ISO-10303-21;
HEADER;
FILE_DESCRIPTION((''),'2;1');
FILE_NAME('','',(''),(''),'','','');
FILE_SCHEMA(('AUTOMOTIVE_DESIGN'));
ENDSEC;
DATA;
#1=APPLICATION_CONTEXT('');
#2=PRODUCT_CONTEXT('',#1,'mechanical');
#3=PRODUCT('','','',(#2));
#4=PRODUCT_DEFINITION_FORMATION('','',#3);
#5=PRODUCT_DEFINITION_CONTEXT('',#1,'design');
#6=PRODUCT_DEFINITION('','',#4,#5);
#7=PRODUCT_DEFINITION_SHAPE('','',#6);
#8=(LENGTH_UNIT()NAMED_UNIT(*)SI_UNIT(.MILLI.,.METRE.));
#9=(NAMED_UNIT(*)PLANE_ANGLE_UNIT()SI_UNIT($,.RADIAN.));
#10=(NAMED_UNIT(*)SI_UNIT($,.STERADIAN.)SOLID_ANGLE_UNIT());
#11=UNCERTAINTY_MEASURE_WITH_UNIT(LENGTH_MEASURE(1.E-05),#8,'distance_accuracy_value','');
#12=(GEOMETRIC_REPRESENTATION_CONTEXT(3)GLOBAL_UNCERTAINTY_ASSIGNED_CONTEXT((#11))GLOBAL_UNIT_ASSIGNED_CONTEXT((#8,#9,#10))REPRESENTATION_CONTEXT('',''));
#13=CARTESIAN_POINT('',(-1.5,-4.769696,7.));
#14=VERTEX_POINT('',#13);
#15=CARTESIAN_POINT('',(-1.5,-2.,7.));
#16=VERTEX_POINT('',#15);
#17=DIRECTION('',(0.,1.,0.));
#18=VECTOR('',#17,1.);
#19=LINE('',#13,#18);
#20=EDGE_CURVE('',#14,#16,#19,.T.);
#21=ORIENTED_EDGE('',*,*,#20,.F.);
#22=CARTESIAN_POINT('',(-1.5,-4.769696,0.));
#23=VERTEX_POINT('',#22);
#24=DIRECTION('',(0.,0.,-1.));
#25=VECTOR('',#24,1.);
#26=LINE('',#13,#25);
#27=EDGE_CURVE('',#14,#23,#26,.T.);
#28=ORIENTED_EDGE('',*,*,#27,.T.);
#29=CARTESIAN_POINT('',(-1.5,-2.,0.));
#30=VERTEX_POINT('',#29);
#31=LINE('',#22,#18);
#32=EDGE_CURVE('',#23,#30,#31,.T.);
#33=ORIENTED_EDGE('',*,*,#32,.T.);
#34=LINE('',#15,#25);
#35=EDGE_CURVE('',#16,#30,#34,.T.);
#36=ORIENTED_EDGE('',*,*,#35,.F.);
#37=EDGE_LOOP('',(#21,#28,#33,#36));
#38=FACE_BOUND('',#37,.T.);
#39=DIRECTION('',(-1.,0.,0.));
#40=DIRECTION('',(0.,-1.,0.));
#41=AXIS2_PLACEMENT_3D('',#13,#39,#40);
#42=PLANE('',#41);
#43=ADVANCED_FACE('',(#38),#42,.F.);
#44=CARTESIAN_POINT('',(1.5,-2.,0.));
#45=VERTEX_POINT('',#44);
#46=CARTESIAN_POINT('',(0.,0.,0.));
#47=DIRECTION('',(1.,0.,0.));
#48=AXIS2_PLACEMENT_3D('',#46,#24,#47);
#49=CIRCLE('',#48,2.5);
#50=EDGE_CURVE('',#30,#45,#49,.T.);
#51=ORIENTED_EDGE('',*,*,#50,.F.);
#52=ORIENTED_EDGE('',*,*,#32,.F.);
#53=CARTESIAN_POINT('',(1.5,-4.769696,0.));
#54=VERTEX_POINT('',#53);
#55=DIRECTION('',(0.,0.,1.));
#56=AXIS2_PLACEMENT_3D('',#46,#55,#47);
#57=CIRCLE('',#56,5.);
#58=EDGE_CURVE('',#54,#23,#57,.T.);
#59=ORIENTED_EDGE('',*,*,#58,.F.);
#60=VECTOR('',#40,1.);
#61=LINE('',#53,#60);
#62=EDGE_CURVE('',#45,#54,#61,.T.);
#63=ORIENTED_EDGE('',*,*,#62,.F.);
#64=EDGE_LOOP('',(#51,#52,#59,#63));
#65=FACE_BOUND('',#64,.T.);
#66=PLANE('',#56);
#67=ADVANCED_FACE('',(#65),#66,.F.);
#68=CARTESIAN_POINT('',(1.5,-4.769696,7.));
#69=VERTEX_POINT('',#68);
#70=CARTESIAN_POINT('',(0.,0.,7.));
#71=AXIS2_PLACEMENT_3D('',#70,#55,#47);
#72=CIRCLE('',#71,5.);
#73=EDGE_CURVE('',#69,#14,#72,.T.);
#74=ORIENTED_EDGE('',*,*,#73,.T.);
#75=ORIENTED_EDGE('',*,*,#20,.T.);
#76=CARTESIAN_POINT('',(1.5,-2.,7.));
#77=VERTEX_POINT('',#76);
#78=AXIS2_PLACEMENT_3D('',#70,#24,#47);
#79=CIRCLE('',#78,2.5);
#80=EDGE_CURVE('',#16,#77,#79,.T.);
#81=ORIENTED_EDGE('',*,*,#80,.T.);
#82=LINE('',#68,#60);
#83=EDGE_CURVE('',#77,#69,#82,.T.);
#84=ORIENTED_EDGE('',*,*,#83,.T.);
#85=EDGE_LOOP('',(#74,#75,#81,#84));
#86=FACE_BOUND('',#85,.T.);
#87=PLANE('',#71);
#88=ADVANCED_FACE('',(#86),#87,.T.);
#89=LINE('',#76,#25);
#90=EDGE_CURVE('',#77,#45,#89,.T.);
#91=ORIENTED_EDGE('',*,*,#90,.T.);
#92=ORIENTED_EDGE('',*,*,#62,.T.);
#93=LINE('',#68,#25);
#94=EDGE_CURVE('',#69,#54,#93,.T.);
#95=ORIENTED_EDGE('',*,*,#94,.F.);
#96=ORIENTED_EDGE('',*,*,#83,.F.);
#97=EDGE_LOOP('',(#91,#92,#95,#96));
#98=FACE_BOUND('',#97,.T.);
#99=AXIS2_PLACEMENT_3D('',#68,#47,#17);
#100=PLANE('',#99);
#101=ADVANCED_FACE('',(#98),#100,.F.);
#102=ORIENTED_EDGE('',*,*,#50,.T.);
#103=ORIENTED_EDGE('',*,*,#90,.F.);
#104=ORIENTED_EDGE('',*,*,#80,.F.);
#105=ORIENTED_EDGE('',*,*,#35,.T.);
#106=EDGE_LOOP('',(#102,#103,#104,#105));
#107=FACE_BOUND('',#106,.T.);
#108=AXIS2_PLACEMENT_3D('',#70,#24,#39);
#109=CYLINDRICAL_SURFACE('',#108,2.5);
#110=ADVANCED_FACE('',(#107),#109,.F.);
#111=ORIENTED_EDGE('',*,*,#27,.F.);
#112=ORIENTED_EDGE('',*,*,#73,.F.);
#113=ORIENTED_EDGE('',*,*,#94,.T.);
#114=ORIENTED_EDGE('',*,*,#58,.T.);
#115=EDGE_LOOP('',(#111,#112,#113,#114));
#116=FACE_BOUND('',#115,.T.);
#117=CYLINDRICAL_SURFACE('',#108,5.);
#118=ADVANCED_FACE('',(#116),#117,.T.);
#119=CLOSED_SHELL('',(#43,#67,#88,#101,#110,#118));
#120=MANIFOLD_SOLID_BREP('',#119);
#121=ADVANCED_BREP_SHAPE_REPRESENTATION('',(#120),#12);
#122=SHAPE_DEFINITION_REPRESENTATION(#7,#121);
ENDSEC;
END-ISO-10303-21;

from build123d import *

# Parameters (mm, degrees)
EXTRUDE_1_DEPTH = 7


with BuildPart() as part:
    # ｽｹｯﾁ1 → ﾎﾞｽ - 押し出し1 (new body)
    with BuildSketch(Plane.XY):
        with BuildLine():
            Line((-1.5, -4.769696007), (-1.5, -2))
            ThreePointArc((-1.5, -2), (0, 2.5), (1.5, -2))
            Line((1.5, -2), (1.5, -4.769696007))
            ThreePointArc((1.5, -4.769696007), (0, 5), (-1.5, -4.769696007))
        make_face()
    extrude(amount=EXTRUDE_1_DEPTH)


solid = part.part
